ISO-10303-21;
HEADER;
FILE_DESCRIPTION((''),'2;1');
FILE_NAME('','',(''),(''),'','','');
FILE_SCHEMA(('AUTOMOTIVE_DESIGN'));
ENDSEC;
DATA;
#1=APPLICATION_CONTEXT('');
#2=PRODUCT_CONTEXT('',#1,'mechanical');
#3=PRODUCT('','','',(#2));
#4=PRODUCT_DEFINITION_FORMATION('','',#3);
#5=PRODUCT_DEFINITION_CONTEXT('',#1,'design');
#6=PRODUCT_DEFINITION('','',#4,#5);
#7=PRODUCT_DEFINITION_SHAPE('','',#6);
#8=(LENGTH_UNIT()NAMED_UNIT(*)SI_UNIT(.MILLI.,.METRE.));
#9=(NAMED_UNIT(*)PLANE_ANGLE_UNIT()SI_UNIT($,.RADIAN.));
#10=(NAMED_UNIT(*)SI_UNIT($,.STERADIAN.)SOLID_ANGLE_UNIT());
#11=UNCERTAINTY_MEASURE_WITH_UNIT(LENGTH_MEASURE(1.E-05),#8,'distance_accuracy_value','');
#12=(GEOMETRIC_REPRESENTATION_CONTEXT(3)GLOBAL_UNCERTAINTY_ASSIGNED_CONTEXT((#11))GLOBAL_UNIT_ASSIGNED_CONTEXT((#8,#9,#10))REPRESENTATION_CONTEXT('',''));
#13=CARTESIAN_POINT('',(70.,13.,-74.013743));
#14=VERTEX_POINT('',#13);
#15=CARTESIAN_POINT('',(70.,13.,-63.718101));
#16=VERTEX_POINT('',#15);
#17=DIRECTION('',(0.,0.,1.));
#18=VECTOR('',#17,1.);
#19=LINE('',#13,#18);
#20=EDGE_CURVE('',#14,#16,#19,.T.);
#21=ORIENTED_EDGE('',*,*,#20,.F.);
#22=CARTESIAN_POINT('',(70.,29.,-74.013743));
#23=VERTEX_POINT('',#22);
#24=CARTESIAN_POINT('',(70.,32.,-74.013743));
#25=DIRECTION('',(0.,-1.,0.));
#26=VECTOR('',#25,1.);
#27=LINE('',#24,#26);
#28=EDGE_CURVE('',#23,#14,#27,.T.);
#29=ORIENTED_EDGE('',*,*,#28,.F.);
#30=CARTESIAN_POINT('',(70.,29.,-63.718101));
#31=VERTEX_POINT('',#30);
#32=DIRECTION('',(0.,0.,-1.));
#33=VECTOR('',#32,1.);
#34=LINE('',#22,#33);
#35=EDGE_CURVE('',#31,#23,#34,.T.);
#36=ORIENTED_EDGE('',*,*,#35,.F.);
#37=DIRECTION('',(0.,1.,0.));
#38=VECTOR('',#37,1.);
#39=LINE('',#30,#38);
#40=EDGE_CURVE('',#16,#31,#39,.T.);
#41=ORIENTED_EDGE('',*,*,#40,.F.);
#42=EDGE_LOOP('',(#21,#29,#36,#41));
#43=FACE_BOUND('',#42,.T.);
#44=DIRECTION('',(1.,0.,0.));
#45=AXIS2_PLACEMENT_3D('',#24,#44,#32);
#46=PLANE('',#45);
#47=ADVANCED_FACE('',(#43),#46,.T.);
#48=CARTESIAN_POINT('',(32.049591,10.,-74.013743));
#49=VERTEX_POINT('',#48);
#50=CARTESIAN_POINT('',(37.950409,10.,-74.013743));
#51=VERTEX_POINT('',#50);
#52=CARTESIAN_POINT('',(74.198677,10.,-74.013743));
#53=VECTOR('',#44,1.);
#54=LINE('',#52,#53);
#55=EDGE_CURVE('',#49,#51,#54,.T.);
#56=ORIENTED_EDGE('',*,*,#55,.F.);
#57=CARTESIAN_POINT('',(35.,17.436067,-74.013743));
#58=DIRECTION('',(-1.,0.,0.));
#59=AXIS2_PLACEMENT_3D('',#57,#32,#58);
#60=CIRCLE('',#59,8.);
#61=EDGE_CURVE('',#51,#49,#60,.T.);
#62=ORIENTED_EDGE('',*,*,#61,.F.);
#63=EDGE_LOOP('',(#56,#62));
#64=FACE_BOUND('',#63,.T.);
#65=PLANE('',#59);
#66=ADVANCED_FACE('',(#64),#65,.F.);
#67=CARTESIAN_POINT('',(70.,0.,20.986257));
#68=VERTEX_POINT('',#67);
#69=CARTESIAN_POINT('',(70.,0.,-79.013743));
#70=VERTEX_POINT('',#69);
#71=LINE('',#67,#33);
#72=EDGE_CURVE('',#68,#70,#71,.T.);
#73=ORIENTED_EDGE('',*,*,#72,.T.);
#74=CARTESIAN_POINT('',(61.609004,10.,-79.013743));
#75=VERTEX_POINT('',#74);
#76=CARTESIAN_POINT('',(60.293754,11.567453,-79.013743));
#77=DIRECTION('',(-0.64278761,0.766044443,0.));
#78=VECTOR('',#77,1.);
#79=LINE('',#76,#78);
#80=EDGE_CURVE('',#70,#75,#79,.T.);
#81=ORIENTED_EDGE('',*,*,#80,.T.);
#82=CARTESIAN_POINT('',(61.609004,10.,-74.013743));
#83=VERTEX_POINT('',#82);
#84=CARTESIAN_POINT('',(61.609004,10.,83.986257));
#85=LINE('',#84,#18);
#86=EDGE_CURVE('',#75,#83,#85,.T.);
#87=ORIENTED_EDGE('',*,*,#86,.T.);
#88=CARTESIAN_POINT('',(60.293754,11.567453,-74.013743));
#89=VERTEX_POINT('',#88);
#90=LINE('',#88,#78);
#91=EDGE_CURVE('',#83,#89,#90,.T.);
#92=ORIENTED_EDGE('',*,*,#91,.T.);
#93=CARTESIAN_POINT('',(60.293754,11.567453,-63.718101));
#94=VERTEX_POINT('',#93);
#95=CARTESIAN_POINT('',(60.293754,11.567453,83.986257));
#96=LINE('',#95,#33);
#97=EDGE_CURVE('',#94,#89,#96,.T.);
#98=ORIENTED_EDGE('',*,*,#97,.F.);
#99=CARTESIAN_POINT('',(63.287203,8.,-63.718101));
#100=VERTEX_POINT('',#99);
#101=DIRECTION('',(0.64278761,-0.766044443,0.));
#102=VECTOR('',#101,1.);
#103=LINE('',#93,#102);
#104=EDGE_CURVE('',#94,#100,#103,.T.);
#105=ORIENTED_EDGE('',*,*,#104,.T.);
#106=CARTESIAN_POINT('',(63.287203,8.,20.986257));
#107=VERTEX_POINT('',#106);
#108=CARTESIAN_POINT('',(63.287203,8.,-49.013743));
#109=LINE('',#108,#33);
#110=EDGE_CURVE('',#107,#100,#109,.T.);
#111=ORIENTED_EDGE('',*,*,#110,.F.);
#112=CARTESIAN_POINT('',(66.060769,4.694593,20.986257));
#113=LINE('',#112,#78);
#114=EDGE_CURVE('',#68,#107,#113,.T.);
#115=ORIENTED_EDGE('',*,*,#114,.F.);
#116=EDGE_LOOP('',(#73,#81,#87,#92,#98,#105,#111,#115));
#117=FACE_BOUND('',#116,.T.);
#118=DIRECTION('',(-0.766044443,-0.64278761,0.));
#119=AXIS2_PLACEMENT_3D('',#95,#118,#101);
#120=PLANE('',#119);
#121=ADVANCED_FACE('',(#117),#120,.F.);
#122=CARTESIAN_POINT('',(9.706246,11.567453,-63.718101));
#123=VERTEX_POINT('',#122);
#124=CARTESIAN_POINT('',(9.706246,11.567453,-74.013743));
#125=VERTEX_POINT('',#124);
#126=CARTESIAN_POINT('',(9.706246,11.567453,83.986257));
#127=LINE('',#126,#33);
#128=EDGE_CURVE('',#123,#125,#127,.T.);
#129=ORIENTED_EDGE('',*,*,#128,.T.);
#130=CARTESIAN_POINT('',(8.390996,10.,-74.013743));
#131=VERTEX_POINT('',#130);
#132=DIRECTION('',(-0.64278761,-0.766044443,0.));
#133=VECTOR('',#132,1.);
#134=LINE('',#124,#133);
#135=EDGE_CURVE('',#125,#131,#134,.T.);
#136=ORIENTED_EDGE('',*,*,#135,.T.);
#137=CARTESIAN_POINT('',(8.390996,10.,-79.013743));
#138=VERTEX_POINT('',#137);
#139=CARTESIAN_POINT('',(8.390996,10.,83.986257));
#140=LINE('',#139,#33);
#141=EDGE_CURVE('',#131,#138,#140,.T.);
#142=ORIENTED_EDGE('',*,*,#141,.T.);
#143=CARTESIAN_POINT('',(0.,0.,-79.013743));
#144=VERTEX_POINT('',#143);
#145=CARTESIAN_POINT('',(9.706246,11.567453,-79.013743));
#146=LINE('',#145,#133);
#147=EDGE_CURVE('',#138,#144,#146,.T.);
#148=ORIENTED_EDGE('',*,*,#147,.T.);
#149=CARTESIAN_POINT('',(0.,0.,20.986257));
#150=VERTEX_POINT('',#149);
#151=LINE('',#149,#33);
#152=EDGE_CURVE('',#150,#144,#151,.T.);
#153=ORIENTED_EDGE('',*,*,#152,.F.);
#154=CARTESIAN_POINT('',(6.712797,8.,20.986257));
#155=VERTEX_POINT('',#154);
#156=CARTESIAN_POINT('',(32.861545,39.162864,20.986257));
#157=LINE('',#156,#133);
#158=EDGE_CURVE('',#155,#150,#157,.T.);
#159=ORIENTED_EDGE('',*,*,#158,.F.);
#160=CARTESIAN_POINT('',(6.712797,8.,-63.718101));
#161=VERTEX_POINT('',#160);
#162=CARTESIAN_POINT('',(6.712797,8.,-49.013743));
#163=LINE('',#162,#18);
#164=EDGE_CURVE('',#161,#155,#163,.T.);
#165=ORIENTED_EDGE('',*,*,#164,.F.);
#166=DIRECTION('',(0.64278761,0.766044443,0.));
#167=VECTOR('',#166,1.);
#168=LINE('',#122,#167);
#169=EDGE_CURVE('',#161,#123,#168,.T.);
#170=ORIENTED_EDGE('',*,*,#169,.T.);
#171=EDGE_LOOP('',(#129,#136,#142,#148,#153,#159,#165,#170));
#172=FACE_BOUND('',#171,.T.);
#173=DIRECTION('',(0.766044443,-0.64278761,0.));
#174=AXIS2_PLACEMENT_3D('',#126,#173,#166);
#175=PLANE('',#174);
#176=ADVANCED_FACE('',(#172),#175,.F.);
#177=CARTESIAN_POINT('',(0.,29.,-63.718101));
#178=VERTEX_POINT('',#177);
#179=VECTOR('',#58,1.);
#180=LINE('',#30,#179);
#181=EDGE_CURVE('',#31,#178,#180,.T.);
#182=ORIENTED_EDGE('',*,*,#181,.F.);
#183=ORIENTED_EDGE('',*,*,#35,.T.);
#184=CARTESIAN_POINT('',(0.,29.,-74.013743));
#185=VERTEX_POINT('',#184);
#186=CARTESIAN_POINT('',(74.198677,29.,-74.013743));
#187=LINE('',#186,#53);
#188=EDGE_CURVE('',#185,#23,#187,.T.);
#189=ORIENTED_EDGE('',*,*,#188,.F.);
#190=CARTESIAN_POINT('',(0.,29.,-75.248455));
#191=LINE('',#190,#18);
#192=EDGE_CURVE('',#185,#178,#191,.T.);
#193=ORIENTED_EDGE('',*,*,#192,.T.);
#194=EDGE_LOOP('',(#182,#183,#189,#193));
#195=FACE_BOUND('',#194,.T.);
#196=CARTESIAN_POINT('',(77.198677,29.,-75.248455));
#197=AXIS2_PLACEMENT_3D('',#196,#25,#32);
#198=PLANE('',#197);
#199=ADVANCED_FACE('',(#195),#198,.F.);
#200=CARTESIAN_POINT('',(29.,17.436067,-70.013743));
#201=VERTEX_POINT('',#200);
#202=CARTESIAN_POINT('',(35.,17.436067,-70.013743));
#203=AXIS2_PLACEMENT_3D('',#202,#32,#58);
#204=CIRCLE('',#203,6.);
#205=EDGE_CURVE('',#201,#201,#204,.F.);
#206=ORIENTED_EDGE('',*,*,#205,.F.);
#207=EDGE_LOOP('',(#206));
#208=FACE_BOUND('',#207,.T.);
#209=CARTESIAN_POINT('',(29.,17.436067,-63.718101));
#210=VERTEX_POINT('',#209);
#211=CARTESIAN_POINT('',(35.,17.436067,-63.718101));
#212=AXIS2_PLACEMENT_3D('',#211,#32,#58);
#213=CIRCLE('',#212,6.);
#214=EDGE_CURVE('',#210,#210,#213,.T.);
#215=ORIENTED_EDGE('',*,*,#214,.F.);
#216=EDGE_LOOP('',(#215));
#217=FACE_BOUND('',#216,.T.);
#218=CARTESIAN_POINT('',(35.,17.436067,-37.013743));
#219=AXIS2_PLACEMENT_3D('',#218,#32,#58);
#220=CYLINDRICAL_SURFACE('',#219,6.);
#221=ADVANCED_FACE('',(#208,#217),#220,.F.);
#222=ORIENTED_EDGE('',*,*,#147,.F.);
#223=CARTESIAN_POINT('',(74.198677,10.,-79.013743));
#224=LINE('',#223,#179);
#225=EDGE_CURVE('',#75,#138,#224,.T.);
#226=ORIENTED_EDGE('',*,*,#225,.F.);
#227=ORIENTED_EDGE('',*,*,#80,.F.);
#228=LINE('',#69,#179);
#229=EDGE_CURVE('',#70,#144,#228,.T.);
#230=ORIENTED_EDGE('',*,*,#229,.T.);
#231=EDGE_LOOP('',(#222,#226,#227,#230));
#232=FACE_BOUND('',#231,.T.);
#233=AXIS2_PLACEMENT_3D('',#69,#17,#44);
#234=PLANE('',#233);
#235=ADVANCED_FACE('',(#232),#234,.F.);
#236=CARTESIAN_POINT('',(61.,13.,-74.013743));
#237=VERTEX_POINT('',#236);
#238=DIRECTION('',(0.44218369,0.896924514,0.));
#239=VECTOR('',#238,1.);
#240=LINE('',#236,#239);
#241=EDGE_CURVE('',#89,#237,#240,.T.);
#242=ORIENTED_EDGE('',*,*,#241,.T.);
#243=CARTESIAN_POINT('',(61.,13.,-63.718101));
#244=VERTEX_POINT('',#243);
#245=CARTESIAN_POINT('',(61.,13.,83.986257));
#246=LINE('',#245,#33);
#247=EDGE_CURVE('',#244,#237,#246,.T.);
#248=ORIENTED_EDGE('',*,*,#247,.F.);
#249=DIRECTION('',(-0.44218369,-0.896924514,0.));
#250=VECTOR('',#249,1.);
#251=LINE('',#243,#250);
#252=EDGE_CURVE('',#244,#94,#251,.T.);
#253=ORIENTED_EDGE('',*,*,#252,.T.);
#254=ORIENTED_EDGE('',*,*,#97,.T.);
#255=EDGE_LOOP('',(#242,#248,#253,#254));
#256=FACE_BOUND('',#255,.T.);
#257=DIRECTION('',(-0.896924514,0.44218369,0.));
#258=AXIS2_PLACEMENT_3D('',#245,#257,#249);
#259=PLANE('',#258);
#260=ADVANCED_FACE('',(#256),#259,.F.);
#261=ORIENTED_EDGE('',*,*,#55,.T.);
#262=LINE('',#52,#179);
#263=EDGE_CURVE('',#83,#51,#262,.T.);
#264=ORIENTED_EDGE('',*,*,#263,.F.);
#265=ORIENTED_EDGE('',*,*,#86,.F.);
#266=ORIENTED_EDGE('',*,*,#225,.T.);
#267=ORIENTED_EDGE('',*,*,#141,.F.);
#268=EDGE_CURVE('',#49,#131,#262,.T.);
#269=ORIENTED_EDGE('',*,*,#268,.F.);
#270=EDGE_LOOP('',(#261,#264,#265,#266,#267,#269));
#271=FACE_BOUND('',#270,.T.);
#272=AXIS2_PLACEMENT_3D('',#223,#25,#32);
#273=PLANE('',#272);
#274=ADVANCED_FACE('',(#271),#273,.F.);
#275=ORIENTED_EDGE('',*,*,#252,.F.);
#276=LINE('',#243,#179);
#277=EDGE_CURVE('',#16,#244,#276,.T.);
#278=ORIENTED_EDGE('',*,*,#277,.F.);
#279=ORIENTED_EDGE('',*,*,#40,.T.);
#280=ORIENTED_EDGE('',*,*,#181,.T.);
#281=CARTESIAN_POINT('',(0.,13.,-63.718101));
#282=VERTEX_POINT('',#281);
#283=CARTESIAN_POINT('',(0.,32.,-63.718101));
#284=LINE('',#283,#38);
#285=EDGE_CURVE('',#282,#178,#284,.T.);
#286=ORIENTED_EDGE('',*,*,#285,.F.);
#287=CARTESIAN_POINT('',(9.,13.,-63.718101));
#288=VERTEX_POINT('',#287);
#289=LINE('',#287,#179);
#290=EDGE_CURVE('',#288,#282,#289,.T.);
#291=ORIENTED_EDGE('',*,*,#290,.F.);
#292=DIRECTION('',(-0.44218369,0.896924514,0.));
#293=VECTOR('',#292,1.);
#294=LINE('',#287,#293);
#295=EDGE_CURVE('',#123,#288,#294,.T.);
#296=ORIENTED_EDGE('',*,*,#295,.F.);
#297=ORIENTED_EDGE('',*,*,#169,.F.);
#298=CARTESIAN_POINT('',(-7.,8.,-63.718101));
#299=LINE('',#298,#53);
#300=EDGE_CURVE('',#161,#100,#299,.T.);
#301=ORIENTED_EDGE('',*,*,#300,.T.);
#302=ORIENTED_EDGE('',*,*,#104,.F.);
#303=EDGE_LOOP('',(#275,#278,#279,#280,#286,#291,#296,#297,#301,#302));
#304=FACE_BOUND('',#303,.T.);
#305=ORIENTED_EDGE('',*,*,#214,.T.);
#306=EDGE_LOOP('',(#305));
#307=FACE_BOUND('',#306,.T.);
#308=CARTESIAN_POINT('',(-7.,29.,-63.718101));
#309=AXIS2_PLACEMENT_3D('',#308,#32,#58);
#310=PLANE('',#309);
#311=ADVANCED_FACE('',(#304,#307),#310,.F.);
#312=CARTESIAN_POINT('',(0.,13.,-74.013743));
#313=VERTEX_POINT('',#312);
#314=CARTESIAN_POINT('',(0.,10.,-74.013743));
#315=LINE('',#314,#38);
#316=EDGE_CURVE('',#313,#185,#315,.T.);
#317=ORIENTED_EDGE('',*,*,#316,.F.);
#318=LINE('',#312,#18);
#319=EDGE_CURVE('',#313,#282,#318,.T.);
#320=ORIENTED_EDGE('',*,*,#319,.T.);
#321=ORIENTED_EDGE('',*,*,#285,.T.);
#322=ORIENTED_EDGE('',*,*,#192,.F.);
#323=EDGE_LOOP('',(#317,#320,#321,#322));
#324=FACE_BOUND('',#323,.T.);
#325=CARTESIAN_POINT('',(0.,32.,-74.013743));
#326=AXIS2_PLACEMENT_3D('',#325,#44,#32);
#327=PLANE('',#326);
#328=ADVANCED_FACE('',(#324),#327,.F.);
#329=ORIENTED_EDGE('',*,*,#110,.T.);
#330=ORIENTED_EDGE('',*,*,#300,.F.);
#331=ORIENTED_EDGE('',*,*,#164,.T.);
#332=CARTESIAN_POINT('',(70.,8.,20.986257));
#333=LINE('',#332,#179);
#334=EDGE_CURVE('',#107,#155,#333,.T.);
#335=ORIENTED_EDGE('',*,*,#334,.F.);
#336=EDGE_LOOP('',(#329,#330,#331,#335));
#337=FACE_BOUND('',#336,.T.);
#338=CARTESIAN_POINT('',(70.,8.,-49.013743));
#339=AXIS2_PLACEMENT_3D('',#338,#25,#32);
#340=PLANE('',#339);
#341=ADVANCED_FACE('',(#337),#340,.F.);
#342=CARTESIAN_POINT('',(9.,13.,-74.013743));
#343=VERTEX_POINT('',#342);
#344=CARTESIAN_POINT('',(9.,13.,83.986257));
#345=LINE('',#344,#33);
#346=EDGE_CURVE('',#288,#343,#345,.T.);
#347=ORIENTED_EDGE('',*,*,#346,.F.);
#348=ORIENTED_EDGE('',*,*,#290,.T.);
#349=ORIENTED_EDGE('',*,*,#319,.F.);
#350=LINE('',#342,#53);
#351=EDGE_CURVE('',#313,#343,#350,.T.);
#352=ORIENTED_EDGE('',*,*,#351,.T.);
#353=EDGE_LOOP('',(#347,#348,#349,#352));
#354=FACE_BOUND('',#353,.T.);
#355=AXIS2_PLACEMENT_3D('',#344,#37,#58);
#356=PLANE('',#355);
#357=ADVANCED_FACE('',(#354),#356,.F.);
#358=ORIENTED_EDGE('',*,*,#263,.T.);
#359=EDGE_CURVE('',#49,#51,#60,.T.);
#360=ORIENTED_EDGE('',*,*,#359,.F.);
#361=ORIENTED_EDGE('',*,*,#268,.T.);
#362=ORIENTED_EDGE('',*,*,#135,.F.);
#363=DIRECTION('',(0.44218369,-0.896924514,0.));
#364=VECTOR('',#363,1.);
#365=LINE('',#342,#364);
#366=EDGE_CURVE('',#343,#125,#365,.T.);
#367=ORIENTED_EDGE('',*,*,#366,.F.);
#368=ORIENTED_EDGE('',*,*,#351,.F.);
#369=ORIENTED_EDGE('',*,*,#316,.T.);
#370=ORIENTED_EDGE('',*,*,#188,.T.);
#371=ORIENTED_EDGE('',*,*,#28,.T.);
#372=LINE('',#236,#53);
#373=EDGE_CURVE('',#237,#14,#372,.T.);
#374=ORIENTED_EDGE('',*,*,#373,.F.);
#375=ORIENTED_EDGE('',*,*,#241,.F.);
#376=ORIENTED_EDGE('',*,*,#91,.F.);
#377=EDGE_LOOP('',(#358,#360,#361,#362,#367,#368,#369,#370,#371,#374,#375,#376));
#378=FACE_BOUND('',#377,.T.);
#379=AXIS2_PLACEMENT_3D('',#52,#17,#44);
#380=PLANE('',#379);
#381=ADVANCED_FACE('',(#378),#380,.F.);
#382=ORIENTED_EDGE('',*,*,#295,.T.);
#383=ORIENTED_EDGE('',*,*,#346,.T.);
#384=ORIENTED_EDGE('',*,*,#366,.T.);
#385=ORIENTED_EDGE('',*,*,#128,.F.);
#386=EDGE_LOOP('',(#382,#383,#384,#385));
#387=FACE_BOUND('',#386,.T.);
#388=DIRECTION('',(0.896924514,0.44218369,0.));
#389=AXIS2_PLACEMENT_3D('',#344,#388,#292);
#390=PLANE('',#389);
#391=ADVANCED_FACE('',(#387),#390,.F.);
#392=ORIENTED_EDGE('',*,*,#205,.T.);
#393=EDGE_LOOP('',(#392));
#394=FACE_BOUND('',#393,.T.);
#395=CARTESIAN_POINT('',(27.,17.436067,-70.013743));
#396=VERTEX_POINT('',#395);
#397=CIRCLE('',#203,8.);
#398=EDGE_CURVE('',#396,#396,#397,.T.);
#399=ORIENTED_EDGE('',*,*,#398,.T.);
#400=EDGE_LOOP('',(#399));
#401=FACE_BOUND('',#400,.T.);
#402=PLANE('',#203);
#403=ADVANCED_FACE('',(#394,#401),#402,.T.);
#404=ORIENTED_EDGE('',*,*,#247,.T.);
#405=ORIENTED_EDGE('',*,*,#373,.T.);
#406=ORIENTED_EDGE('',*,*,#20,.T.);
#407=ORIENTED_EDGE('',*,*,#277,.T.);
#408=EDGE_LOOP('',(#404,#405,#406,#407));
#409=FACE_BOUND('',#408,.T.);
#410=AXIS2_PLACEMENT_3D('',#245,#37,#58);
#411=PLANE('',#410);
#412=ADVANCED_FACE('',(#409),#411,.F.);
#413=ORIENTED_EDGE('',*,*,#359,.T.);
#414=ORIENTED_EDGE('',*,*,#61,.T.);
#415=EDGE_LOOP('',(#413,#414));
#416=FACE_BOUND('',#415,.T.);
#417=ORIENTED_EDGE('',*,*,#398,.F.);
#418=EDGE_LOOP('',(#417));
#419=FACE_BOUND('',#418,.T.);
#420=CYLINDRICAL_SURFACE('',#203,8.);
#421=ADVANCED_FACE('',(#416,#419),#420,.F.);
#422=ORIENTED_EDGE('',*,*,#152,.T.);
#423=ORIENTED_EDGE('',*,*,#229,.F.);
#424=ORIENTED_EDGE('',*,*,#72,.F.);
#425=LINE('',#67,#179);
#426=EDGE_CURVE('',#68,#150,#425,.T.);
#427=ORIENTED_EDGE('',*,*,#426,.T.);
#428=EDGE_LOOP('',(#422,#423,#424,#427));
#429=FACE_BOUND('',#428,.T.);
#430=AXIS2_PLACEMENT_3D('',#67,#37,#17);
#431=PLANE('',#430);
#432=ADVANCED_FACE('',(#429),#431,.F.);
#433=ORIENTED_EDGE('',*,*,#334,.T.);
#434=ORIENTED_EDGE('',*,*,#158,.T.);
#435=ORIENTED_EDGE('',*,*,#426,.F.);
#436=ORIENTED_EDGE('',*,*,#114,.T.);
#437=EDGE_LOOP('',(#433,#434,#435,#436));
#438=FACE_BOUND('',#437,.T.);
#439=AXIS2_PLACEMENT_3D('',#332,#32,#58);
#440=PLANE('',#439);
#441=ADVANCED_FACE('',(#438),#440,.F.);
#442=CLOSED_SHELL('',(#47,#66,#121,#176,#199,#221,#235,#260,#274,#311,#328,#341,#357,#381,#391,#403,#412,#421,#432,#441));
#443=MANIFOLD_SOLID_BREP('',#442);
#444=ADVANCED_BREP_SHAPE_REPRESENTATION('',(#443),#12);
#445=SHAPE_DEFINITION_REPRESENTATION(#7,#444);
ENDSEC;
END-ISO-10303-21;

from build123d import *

# Parameters (mm, degrees)
EXTRUDE_1_DEPTH     = 70
CUT_EXTRUDE_1_DEPTH = 163
SKETCH_3_W          = 5
SKETCH_3_H          = 28.984249348
CUT_EXTRUDE_2_DEPTH = 74.198677084
SKETCH_4_W          = 20.259313124
SKETCH_4_H          = 10.192966915
CUT_EXTRUDE_3_DEPTH = 77.198677084
SKETCH_5_W          = 22.578654877
SKETCH_5_H          = 21
CUT_EXTRUDE_4_DEPTH = 77
SKETCH_7_R          = 6
CUT_EXTRUDE_5_DEPTH = 37
SKETCH_8_R          = 8
CUT_EXTRUDE_6_DEPTH = 4


with BuildPart() as part:
    # Эскиз1 → Бобышка-Вытянуть1 (new body)
    with BuildSketch(Plane(origin=(0, 0, 0), x_dir=(0, 0, -1), z_dir=(1, 0, 0))):
        with BuildLine():
            Line((-20.986257223, 0), (79.013742777, 0))
            Line((79.013742777, 0), (79.013742777, 32))
            ThreePointArc((79.013742777, 32), (77.549276683, 35.535533906), (74.013742777, 37))
            Line((74.013742777, 37), (71.922596638, 37))
            ThreePointArc((71.922596638, 37), (69.613853571, 36.435054166), (67.826836416, 34.867882182))
            Line((67.826836416, 34.867882182), (49.013742777, 8))
            Line((49.013742777, 8), (-20.986257223, 8))
            Line((-20.986257223, 8), (-20.986257223, 0))
        make_face()
    extrude(amount=EXTRUDE_1_DEPTH)

    # Эскиз2 → Вырез-Вытянуть1 (cut)
    with BuildSketch(Plane(origin=(0, 0, -79.013742777), x_dir=(-1, 0, 0), z_dir=(0, 0, -1))):
        Polygon((-61, 13), (-70, 13), (-70, 0), (-60.293754471, 11.56745298), align=None)
        Polygon((-9, 13), (-9.706245529, 11.56745298), (0, 0), (0, 13), align=None)
    extrude(amount=-CUT_EXTRUDE_1_DEPTH, mode=Mode.SUBTRACT)

    # Эскиз3 → Вырез-Вытянуть2 (cut)
    with BuildSketch(Plane.ZY):
        with Locations((-76.513742777, 24.492124674)):
            Rectangle(SKETCH_3_W, SKETCH_3_H)
    extrude(amount=-CUT_EXTRUDE_2_DEPTH, mode=Mode.SUBTRACT)

    # Эскиз4 → Вырез-Вытянуть3 (cut)
    with BuildSketch(Plane.ZY):
        with Locations((-65.118798198, 34.096483457)):
            Rectangle(SKETCH_4_W, SKETCH_4_H)
    extrude(amount=-CUT_EXTRUDE_3_DEPTH, mode=Mode.SUBTRACT)

    # Эскиз5 → Вырез-Вытянуть4 (cut)
    with BuildSketch(Plane(origin=(70, 0, 0), x_dir=(0, 0, -1), z_dir=(1, 0, 0))):
        with Locations((52.428773641, 18.5)):
            Rectangle(SKETCH_5_W, SKETCH_5_H)
    extrude(amount=-CUT_EXTRUDE_4_DEPTH, mode=Mode.SUBTRACT)

    # Эскиз7 → Вырез-Вытянуть5 (cut)
    with BuildSketch(Plane(origin=(0, 0, -74.013742777), x_dir=(-1, 0, 0), z_dir=(0, 0, -1))):
        with Locations((-35, 17.436066506)):
            Circle(SKETCH_7_R)
    extrude(amount=-CUT_EXTRUDE_5_DEPTH, mode=Mode.SUBTRACT)

    # Эскиз8 → Вырез-Вытянуть6 (cut)
    with BuildSketch(Plane(origin=(0, 0, -74.013742777), x_dir=(-1, 0, 0), z_dir=(0, 0, -1))):
        with Locations((-35, 17.436066506)):
            Circle(SKETCH_8_R)
    extrude(amount=-CUT_EXTRUDE_6_DEPTH, mode=Mode.SUBTRACT)


solid = part.part
